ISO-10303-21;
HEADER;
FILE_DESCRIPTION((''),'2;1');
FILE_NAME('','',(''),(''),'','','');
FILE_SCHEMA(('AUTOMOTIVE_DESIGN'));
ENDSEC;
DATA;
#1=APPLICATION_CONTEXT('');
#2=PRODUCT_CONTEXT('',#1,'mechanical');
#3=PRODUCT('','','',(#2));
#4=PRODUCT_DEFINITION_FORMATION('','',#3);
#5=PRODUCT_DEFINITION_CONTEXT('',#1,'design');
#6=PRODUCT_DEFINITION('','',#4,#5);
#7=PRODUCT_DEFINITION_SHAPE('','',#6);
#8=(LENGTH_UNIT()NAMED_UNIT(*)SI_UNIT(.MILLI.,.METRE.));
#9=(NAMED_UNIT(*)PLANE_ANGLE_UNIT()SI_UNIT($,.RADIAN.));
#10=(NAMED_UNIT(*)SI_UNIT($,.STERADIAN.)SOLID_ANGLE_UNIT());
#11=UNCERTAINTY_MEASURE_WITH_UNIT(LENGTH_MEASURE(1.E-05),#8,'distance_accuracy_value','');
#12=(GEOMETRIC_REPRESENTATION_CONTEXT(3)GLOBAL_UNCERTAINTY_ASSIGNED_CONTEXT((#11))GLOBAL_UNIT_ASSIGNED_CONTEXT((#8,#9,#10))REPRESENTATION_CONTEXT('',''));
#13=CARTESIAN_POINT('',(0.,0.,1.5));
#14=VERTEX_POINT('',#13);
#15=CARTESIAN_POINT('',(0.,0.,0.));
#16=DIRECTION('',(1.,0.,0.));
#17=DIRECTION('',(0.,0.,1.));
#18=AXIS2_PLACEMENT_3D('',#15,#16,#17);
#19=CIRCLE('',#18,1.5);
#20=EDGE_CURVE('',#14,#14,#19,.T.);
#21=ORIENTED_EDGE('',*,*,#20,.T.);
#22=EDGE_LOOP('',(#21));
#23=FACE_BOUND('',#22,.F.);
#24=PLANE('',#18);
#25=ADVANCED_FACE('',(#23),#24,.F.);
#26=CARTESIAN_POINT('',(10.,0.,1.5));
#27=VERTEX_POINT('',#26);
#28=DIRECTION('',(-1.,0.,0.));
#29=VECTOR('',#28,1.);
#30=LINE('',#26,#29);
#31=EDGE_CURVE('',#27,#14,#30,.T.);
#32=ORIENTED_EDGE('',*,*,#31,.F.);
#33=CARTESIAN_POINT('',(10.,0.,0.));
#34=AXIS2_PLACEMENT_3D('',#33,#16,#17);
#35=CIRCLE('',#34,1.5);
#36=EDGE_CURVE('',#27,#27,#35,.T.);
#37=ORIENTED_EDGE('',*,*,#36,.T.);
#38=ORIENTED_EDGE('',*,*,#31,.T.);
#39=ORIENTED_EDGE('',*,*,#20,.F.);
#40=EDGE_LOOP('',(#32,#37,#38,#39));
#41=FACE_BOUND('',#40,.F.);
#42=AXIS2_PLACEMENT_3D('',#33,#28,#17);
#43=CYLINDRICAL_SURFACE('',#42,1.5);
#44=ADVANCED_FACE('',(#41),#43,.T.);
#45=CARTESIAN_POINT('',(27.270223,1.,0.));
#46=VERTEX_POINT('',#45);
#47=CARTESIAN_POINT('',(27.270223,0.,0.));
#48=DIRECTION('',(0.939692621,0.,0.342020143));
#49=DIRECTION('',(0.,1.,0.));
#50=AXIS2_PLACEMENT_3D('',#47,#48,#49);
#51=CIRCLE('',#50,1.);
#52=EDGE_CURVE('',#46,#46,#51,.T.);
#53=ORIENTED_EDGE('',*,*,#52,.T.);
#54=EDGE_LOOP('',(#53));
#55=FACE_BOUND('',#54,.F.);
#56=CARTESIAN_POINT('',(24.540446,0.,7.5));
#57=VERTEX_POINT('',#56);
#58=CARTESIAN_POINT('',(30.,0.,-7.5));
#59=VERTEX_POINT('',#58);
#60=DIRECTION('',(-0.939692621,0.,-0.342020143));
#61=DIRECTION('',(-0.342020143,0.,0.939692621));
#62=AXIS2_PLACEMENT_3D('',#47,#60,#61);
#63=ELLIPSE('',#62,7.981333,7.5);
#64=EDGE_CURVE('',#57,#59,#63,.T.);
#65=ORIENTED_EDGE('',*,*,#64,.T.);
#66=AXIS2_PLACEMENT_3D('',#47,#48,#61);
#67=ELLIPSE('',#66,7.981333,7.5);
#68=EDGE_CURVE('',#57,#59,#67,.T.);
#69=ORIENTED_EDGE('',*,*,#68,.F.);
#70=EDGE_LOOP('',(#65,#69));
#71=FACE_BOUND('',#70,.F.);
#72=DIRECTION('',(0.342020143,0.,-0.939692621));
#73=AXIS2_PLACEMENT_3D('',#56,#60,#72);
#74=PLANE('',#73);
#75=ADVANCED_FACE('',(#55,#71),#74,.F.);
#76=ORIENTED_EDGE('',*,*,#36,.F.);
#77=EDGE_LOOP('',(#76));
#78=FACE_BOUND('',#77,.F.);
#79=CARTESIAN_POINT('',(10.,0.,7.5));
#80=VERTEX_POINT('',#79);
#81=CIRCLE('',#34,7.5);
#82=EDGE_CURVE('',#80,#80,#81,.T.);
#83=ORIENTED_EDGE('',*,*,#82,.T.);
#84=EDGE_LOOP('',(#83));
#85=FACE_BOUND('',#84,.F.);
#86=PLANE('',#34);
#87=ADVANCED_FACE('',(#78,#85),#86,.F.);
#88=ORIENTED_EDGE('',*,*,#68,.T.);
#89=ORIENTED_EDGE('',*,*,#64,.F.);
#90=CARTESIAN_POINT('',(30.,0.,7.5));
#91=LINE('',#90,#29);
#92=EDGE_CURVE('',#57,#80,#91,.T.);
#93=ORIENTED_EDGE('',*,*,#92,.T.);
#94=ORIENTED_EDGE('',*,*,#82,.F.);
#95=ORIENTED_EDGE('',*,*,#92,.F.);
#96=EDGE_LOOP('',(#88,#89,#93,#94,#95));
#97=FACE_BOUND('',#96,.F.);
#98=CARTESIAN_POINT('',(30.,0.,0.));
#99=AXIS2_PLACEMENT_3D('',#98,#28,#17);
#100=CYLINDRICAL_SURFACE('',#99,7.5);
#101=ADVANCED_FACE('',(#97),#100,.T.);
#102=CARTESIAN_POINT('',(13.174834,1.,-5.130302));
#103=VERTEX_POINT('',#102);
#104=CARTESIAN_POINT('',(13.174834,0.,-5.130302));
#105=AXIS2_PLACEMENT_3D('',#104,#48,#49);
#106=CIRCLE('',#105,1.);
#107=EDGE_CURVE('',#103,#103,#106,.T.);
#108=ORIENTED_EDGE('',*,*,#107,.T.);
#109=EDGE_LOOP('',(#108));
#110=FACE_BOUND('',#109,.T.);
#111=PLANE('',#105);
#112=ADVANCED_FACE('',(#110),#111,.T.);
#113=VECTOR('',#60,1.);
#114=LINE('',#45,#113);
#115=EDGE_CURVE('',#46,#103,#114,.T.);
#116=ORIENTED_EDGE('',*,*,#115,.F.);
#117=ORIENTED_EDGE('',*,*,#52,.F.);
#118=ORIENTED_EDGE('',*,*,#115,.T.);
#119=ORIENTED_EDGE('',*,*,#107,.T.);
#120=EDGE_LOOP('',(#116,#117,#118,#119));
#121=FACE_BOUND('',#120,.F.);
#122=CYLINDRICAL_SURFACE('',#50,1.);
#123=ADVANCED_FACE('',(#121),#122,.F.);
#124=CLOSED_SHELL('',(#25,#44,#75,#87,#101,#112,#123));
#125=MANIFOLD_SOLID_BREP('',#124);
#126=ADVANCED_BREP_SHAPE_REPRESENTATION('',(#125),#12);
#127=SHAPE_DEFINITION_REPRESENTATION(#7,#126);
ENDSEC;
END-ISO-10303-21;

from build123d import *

# Parameters (mm, degrees)
F3_DEPTH      = 7.501
F3_DEPTH_BACK = 7.501
F4_R          = 1
F5_DEPTH      = 15


with BuildPart() as f1:
    # F0 (on Front) → F1 (revolve)
    with BuildSketch(Plane.XZ):
        Polygon((30, 7.5), (10, 7.5), (10, 1.5), (0, 1.5), (0, 0), (30, 0), align=None)
    revolve(axis=Axis((8.7773360142, 0, 0), (1, 0, 0)))

    # F2 (on Front) → F3 (cut, two sides)
    with BuildSketch(Plane.XZ) as f3_sk:
        Polygon((24.540446486, 7.5), (30, -7.5), (30, 7.5), align=None)
    extrude(amount=-F3_DEPTH, mode=Mode.SUBTRACT)
    extrude(f3_sk.sketch, amount=F3_DEPTH_BACK, mode=Mode.SUBTRACT)

    # F4 (on face) → F5 (cut)
    with BuildSketch(Plane(origin=(24.0802131105, 0, 8.764480807), x_dir=(0, 1, 0), z_dir=(0.9396926208, 0, 0.3420201433))):
        with Locations((0, -9.3269656621)):
            Circle(F4_R)
    extrude(amount=-F5_DEPTH, mode=Mode.SUBTRACT)


solid = f1.part
